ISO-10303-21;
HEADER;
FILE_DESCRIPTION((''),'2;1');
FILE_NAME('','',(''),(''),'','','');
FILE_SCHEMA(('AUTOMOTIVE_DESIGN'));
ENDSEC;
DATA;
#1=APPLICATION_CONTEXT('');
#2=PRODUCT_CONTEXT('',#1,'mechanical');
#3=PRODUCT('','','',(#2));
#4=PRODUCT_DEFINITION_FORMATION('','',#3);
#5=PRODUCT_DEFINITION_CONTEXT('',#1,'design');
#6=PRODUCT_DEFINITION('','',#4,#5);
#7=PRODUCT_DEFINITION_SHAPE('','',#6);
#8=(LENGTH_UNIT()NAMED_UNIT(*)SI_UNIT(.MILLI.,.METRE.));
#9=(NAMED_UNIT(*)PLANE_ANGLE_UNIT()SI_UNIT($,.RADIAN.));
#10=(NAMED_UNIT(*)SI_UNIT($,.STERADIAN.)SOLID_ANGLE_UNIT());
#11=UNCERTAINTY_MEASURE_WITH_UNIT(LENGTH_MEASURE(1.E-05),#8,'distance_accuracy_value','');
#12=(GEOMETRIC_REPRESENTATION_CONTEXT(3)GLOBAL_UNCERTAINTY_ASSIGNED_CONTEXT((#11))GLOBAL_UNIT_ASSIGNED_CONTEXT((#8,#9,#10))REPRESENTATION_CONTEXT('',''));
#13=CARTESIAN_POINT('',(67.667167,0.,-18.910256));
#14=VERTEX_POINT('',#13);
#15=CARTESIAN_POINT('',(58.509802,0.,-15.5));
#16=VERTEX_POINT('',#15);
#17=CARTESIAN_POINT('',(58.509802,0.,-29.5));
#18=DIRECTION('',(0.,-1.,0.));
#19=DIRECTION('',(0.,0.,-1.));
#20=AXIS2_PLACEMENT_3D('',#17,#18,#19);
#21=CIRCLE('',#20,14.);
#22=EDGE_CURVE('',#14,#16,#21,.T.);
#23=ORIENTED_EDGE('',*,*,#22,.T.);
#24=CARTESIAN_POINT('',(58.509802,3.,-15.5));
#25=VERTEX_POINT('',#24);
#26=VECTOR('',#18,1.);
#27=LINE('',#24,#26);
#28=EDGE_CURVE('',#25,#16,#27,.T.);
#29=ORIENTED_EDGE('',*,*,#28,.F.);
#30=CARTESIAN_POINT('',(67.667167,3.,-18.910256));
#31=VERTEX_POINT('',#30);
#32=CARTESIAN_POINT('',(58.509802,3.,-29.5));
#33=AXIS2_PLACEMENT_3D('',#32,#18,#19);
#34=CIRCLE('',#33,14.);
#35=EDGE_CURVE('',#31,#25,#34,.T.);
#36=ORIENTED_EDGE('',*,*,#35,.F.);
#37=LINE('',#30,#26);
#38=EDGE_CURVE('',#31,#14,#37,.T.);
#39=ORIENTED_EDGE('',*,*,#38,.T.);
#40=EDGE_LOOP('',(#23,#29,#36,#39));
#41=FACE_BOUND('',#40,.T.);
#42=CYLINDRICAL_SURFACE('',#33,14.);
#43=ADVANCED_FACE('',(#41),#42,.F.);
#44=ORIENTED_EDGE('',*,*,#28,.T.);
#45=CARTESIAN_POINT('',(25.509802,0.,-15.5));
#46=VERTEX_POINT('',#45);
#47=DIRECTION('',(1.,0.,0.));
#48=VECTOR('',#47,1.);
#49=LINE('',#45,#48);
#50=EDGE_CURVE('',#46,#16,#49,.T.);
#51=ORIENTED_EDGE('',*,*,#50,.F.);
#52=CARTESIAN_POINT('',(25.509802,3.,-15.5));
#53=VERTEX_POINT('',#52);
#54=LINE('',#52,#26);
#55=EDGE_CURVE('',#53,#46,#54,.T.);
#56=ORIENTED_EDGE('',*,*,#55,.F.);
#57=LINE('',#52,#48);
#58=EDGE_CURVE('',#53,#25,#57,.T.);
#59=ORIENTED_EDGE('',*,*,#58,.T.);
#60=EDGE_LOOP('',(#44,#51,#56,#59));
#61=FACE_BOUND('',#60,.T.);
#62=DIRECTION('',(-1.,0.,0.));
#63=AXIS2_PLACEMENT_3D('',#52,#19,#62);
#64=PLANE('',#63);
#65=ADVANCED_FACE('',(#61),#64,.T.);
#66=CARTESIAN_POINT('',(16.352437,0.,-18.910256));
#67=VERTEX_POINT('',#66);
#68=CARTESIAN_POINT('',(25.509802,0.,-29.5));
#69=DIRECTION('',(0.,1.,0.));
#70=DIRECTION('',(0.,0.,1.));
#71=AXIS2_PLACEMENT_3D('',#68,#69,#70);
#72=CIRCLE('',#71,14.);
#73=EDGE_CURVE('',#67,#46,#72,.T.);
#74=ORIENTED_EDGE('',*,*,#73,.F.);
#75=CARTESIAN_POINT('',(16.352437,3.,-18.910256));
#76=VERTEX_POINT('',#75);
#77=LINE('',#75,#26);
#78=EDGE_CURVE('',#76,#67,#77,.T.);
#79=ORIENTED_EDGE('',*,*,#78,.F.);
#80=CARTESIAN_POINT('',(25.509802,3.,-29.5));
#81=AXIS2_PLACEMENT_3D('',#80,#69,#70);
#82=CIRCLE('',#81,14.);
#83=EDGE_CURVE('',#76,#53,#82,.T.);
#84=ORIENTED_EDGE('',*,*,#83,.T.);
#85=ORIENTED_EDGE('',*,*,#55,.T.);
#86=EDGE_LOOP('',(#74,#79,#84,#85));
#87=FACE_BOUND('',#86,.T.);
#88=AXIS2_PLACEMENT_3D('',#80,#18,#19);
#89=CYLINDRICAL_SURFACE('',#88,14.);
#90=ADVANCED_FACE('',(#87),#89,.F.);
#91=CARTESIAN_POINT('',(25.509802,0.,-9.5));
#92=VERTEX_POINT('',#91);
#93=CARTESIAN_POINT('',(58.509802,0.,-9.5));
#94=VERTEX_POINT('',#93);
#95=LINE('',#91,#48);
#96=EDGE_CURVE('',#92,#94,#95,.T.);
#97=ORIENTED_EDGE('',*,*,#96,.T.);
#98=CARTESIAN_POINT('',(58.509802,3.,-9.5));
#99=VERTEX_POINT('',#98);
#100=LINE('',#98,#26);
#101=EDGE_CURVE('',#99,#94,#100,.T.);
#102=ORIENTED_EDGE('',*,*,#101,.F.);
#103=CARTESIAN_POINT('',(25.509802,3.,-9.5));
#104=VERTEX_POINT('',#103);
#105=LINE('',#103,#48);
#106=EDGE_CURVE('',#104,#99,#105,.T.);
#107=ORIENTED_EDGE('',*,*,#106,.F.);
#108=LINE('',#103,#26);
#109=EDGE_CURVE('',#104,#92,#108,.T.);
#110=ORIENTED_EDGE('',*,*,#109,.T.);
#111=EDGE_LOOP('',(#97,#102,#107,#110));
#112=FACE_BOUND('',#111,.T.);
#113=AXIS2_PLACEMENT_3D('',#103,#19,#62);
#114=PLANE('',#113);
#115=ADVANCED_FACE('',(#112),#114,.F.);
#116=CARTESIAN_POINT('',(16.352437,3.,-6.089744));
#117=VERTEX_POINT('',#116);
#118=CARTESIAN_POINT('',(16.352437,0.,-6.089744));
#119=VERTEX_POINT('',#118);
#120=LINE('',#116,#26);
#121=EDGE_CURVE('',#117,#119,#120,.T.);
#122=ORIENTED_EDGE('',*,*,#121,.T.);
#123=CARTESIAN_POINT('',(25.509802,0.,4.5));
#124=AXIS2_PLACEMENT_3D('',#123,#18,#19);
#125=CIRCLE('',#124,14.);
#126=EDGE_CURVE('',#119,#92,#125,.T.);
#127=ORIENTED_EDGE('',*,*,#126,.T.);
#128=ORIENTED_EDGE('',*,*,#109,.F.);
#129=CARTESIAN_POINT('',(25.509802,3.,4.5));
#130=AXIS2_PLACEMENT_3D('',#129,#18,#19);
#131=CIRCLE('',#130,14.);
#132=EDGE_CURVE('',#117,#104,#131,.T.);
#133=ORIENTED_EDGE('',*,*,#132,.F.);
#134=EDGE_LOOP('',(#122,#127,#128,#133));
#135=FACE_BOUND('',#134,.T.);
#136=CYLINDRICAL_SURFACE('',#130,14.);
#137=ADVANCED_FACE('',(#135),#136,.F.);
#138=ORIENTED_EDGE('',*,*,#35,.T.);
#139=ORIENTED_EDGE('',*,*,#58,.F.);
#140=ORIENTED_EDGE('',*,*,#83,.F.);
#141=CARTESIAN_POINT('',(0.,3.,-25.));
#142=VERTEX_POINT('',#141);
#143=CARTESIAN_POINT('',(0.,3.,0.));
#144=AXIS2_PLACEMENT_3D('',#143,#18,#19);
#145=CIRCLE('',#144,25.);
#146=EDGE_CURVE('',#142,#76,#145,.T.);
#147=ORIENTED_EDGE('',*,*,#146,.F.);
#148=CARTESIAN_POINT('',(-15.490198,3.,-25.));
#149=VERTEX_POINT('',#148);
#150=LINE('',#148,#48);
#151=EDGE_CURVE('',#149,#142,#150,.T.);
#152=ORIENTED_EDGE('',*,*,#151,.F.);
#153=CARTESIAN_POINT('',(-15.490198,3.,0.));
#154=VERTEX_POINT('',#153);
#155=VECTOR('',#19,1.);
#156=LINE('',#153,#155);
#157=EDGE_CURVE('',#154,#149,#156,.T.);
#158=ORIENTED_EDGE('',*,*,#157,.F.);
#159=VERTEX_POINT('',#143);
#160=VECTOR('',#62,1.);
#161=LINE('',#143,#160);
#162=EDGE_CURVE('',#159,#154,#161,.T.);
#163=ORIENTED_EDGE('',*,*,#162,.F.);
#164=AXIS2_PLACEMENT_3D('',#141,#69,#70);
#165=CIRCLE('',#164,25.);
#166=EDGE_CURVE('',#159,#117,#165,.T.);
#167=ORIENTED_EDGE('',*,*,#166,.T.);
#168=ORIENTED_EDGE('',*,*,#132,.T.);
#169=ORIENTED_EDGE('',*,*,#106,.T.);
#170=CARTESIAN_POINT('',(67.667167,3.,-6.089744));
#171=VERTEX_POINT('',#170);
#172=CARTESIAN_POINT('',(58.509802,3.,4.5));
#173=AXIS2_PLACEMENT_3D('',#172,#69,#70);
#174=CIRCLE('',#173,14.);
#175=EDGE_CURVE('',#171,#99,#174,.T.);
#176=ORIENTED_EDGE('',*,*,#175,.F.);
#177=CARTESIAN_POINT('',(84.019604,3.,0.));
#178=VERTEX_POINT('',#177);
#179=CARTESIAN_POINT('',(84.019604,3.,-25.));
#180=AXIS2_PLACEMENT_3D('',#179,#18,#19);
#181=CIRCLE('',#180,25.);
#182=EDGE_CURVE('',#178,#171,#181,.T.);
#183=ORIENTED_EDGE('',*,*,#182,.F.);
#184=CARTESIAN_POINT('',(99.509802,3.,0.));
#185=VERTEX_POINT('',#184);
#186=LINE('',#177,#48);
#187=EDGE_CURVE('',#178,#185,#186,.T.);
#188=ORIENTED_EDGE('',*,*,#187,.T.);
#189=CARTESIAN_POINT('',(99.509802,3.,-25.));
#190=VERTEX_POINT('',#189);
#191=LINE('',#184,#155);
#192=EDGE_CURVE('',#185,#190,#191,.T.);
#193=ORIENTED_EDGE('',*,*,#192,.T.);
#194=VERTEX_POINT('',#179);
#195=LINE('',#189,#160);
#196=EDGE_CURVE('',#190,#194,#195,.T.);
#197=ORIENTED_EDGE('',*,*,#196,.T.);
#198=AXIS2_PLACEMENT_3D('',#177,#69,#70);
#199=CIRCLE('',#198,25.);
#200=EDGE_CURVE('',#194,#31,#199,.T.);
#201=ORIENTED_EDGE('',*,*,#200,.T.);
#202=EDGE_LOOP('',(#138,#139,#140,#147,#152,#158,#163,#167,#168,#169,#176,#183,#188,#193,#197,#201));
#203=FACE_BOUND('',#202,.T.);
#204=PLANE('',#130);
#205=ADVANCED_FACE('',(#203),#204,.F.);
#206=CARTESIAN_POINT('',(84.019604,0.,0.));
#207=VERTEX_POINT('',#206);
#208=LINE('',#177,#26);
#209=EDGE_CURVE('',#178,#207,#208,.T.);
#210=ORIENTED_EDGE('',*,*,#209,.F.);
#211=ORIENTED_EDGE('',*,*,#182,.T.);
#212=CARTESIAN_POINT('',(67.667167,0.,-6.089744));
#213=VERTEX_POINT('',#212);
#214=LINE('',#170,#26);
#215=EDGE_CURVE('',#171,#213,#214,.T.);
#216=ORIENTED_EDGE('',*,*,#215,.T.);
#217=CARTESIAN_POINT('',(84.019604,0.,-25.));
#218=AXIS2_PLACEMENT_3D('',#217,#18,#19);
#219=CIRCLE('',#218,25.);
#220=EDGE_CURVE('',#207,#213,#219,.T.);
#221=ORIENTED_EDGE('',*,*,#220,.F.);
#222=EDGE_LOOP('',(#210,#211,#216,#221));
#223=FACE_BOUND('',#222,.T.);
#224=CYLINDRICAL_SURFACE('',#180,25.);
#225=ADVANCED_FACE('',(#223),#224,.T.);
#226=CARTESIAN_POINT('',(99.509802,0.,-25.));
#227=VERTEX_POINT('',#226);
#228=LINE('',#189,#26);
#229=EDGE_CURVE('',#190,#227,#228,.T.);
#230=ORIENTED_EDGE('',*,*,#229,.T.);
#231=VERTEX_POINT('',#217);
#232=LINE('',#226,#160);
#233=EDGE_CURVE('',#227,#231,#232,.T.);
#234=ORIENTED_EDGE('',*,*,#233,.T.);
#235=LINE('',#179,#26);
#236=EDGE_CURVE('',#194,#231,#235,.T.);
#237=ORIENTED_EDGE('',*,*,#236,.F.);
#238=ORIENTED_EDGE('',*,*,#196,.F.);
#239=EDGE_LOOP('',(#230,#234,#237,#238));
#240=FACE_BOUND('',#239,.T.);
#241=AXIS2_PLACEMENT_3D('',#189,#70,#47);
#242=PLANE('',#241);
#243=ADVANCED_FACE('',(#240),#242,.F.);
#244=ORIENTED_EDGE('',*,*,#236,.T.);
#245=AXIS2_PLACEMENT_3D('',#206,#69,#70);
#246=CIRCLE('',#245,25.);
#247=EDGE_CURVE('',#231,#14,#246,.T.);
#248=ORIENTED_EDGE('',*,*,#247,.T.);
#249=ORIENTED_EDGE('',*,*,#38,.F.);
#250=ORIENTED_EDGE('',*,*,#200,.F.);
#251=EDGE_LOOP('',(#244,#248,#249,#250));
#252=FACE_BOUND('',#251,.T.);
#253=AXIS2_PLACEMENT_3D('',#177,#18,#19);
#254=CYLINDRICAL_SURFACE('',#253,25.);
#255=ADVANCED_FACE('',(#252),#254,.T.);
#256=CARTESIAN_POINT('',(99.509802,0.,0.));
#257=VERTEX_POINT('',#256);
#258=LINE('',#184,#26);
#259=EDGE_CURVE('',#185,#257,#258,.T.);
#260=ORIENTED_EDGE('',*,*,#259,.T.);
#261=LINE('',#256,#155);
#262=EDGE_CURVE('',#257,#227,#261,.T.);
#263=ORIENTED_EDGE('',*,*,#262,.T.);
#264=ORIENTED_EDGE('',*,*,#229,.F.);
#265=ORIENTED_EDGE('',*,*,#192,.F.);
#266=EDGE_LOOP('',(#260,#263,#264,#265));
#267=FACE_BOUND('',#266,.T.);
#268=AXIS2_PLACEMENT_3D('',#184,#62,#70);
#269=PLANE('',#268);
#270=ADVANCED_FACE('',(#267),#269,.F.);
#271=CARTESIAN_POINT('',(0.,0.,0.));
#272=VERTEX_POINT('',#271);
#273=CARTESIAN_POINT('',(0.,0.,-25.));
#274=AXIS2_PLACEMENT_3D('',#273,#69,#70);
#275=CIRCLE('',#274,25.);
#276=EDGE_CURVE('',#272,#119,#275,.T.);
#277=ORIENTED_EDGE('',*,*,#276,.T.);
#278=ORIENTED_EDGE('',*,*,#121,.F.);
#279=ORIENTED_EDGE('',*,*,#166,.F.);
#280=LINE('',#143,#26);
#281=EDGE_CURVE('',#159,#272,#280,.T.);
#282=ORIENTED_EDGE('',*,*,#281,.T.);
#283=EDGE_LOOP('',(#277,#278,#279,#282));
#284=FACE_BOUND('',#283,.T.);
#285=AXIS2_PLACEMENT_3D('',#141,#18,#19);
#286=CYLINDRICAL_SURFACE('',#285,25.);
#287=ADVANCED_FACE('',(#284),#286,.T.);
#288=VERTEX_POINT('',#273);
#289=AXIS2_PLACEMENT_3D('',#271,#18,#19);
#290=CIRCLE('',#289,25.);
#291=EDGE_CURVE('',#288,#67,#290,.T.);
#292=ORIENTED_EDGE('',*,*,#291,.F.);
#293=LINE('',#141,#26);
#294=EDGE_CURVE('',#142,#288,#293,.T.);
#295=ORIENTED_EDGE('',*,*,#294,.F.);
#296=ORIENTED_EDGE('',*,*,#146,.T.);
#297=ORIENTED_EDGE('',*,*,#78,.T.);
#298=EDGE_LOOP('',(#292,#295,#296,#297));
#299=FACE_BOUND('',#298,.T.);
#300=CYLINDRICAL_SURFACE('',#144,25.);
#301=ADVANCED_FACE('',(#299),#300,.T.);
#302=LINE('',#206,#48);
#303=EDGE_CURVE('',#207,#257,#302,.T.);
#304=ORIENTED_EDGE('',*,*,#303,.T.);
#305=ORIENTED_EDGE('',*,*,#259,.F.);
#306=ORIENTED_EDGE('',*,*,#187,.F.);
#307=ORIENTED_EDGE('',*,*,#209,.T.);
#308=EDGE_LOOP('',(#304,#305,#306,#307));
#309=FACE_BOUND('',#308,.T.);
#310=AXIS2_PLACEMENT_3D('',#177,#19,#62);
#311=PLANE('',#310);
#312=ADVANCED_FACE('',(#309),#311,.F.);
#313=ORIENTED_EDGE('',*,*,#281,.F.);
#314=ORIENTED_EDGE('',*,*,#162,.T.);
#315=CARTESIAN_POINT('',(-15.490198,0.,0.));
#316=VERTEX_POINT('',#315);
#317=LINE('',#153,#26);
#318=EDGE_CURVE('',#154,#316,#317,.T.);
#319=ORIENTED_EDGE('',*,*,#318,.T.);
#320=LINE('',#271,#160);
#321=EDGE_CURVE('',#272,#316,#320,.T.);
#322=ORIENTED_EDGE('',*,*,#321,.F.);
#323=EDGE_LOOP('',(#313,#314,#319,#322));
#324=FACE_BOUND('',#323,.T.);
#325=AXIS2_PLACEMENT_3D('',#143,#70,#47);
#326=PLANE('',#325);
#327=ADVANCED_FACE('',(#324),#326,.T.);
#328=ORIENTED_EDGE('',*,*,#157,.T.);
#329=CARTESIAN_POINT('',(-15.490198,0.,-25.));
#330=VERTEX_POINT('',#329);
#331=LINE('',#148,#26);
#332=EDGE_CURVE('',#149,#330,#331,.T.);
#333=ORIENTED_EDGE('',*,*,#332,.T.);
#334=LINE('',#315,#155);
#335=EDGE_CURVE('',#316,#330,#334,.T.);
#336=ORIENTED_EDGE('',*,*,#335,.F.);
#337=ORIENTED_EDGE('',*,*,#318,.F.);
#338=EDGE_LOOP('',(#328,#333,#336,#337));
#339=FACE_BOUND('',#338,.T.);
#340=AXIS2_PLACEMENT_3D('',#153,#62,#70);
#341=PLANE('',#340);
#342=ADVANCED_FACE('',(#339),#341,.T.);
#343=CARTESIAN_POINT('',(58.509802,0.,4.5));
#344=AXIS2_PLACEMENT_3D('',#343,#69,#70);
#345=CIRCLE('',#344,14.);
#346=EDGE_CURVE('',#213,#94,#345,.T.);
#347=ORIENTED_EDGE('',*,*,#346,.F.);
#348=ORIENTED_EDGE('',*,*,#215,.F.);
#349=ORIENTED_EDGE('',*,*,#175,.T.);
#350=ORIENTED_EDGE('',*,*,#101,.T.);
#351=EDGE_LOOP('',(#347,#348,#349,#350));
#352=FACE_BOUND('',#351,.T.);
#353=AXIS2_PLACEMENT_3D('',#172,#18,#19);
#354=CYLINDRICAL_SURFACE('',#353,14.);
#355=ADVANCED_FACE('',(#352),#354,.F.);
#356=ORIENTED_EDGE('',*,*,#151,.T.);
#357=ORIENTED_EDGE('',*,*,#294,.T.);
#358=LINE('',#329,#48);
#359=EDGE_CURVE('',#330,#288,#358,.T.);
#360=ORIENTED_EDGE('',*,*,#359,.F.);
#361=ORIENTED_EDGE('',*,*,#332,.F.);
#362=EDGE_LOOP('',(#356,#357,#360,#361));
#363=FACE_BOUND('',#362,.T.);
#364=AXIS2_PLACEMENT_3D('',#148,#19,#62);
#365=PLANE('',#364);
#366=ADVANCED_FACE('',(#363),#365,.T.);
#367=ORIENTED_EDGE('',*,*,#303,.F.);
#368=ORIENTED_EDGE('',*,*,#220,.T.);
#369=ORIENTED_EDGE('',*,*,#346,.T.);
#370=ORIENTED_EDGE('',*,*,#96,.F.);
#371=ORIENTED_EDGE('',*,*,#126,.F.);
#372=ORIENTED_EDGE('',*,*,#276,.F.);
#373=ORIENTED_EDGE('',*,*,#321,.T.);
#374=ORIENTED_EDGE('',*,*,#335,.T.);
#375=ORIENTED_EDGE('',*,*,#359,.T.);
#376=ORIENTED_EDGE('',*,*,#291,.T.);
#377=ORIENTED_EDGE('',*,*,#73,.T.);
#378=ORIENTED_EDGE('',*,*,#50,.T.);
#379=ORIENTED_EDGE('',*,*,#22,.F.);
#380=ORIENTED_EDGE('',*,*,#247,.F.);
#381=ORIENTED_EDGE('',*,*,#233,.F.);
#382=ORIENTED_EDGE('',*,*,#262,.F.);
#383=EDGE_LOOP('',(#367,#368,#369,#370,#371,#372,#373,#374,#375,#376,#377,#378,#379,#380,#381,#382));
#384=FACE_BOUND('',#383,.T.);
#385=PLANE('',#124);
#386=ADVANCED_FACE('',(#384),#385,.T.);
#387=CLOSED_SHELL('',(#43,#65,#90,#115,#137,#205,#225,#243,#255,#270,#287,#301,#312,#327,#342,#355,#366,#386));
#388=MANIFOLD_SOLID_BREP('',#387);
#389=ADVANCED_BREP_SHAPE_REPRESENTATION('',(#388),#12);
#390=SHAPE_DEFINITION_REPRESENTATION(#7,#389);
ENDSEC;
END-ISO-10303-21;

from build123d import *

# Parameters (mm, degrees)
BOSS_EXTRUDE1_DEPTH = 3


with BuildPart() as part:
    # Sketch3 → Boss-Extrude1 (new body)
    with BuildSketch(Plane(origin=(0, 0, 0), x_dir=(1, 0, 0), z_dir=(0, 1, 0))):
        with BuildLine():
            Line((0, 0), (-15.490197962, 0))
            Line((-15.490197962, 0), (-15.490197962, 25))
            Line((-15.490197962, 25), (0, 25))
            ThreePointArc((0, 25), (8.724780506, 23.428149844), (16.352437204, 18.91025641))
            ThreePointArc((16.352437204, 18.91025641), (20.623924954, 16.380236087), (25.509802038, 15.5))
            Line((25.509802038, 15.5), (58.509802038, 15.5))
            ThreePointArc((58.509802038, 15.5), (63.395679121, 16.380236087), (67.667166872, 18.91025641))
            ThreePointArc((67.667166872, 18.91025641), (75.29482357, 23.428149844), (84.019604075, 25))
            Line((84.019604075, 25), (99.509802038, 25))
            Line((99.509802038, 25), (99.509802038, 0))
            Line((99.509802038, 0), (84.019604075, 0))
            ThreePointArc((84.019604075, 0), (75.29482357, 1.571850156), (67.667166872, 6.08974359))
            ThreePointArc((67.667166872, 6.08974359), (63.395679121, 8.619763913), (58.509802038, 9.5))
            Line((58.509802038, 9.5), (25.509802038, 9.5))
            ThreePointArc((25.509802038, 9.5), (20.623924954, 8.619763913), (16.352437204, 6.08974359))
            ThreePointArc((16.352437204, 6.08974359), (8.724780506, 1.571850156), (0, 0))
        make_face()
    extrude(amount=BOSS_EXTRUDE1_DEPTH)


solid = part.part
